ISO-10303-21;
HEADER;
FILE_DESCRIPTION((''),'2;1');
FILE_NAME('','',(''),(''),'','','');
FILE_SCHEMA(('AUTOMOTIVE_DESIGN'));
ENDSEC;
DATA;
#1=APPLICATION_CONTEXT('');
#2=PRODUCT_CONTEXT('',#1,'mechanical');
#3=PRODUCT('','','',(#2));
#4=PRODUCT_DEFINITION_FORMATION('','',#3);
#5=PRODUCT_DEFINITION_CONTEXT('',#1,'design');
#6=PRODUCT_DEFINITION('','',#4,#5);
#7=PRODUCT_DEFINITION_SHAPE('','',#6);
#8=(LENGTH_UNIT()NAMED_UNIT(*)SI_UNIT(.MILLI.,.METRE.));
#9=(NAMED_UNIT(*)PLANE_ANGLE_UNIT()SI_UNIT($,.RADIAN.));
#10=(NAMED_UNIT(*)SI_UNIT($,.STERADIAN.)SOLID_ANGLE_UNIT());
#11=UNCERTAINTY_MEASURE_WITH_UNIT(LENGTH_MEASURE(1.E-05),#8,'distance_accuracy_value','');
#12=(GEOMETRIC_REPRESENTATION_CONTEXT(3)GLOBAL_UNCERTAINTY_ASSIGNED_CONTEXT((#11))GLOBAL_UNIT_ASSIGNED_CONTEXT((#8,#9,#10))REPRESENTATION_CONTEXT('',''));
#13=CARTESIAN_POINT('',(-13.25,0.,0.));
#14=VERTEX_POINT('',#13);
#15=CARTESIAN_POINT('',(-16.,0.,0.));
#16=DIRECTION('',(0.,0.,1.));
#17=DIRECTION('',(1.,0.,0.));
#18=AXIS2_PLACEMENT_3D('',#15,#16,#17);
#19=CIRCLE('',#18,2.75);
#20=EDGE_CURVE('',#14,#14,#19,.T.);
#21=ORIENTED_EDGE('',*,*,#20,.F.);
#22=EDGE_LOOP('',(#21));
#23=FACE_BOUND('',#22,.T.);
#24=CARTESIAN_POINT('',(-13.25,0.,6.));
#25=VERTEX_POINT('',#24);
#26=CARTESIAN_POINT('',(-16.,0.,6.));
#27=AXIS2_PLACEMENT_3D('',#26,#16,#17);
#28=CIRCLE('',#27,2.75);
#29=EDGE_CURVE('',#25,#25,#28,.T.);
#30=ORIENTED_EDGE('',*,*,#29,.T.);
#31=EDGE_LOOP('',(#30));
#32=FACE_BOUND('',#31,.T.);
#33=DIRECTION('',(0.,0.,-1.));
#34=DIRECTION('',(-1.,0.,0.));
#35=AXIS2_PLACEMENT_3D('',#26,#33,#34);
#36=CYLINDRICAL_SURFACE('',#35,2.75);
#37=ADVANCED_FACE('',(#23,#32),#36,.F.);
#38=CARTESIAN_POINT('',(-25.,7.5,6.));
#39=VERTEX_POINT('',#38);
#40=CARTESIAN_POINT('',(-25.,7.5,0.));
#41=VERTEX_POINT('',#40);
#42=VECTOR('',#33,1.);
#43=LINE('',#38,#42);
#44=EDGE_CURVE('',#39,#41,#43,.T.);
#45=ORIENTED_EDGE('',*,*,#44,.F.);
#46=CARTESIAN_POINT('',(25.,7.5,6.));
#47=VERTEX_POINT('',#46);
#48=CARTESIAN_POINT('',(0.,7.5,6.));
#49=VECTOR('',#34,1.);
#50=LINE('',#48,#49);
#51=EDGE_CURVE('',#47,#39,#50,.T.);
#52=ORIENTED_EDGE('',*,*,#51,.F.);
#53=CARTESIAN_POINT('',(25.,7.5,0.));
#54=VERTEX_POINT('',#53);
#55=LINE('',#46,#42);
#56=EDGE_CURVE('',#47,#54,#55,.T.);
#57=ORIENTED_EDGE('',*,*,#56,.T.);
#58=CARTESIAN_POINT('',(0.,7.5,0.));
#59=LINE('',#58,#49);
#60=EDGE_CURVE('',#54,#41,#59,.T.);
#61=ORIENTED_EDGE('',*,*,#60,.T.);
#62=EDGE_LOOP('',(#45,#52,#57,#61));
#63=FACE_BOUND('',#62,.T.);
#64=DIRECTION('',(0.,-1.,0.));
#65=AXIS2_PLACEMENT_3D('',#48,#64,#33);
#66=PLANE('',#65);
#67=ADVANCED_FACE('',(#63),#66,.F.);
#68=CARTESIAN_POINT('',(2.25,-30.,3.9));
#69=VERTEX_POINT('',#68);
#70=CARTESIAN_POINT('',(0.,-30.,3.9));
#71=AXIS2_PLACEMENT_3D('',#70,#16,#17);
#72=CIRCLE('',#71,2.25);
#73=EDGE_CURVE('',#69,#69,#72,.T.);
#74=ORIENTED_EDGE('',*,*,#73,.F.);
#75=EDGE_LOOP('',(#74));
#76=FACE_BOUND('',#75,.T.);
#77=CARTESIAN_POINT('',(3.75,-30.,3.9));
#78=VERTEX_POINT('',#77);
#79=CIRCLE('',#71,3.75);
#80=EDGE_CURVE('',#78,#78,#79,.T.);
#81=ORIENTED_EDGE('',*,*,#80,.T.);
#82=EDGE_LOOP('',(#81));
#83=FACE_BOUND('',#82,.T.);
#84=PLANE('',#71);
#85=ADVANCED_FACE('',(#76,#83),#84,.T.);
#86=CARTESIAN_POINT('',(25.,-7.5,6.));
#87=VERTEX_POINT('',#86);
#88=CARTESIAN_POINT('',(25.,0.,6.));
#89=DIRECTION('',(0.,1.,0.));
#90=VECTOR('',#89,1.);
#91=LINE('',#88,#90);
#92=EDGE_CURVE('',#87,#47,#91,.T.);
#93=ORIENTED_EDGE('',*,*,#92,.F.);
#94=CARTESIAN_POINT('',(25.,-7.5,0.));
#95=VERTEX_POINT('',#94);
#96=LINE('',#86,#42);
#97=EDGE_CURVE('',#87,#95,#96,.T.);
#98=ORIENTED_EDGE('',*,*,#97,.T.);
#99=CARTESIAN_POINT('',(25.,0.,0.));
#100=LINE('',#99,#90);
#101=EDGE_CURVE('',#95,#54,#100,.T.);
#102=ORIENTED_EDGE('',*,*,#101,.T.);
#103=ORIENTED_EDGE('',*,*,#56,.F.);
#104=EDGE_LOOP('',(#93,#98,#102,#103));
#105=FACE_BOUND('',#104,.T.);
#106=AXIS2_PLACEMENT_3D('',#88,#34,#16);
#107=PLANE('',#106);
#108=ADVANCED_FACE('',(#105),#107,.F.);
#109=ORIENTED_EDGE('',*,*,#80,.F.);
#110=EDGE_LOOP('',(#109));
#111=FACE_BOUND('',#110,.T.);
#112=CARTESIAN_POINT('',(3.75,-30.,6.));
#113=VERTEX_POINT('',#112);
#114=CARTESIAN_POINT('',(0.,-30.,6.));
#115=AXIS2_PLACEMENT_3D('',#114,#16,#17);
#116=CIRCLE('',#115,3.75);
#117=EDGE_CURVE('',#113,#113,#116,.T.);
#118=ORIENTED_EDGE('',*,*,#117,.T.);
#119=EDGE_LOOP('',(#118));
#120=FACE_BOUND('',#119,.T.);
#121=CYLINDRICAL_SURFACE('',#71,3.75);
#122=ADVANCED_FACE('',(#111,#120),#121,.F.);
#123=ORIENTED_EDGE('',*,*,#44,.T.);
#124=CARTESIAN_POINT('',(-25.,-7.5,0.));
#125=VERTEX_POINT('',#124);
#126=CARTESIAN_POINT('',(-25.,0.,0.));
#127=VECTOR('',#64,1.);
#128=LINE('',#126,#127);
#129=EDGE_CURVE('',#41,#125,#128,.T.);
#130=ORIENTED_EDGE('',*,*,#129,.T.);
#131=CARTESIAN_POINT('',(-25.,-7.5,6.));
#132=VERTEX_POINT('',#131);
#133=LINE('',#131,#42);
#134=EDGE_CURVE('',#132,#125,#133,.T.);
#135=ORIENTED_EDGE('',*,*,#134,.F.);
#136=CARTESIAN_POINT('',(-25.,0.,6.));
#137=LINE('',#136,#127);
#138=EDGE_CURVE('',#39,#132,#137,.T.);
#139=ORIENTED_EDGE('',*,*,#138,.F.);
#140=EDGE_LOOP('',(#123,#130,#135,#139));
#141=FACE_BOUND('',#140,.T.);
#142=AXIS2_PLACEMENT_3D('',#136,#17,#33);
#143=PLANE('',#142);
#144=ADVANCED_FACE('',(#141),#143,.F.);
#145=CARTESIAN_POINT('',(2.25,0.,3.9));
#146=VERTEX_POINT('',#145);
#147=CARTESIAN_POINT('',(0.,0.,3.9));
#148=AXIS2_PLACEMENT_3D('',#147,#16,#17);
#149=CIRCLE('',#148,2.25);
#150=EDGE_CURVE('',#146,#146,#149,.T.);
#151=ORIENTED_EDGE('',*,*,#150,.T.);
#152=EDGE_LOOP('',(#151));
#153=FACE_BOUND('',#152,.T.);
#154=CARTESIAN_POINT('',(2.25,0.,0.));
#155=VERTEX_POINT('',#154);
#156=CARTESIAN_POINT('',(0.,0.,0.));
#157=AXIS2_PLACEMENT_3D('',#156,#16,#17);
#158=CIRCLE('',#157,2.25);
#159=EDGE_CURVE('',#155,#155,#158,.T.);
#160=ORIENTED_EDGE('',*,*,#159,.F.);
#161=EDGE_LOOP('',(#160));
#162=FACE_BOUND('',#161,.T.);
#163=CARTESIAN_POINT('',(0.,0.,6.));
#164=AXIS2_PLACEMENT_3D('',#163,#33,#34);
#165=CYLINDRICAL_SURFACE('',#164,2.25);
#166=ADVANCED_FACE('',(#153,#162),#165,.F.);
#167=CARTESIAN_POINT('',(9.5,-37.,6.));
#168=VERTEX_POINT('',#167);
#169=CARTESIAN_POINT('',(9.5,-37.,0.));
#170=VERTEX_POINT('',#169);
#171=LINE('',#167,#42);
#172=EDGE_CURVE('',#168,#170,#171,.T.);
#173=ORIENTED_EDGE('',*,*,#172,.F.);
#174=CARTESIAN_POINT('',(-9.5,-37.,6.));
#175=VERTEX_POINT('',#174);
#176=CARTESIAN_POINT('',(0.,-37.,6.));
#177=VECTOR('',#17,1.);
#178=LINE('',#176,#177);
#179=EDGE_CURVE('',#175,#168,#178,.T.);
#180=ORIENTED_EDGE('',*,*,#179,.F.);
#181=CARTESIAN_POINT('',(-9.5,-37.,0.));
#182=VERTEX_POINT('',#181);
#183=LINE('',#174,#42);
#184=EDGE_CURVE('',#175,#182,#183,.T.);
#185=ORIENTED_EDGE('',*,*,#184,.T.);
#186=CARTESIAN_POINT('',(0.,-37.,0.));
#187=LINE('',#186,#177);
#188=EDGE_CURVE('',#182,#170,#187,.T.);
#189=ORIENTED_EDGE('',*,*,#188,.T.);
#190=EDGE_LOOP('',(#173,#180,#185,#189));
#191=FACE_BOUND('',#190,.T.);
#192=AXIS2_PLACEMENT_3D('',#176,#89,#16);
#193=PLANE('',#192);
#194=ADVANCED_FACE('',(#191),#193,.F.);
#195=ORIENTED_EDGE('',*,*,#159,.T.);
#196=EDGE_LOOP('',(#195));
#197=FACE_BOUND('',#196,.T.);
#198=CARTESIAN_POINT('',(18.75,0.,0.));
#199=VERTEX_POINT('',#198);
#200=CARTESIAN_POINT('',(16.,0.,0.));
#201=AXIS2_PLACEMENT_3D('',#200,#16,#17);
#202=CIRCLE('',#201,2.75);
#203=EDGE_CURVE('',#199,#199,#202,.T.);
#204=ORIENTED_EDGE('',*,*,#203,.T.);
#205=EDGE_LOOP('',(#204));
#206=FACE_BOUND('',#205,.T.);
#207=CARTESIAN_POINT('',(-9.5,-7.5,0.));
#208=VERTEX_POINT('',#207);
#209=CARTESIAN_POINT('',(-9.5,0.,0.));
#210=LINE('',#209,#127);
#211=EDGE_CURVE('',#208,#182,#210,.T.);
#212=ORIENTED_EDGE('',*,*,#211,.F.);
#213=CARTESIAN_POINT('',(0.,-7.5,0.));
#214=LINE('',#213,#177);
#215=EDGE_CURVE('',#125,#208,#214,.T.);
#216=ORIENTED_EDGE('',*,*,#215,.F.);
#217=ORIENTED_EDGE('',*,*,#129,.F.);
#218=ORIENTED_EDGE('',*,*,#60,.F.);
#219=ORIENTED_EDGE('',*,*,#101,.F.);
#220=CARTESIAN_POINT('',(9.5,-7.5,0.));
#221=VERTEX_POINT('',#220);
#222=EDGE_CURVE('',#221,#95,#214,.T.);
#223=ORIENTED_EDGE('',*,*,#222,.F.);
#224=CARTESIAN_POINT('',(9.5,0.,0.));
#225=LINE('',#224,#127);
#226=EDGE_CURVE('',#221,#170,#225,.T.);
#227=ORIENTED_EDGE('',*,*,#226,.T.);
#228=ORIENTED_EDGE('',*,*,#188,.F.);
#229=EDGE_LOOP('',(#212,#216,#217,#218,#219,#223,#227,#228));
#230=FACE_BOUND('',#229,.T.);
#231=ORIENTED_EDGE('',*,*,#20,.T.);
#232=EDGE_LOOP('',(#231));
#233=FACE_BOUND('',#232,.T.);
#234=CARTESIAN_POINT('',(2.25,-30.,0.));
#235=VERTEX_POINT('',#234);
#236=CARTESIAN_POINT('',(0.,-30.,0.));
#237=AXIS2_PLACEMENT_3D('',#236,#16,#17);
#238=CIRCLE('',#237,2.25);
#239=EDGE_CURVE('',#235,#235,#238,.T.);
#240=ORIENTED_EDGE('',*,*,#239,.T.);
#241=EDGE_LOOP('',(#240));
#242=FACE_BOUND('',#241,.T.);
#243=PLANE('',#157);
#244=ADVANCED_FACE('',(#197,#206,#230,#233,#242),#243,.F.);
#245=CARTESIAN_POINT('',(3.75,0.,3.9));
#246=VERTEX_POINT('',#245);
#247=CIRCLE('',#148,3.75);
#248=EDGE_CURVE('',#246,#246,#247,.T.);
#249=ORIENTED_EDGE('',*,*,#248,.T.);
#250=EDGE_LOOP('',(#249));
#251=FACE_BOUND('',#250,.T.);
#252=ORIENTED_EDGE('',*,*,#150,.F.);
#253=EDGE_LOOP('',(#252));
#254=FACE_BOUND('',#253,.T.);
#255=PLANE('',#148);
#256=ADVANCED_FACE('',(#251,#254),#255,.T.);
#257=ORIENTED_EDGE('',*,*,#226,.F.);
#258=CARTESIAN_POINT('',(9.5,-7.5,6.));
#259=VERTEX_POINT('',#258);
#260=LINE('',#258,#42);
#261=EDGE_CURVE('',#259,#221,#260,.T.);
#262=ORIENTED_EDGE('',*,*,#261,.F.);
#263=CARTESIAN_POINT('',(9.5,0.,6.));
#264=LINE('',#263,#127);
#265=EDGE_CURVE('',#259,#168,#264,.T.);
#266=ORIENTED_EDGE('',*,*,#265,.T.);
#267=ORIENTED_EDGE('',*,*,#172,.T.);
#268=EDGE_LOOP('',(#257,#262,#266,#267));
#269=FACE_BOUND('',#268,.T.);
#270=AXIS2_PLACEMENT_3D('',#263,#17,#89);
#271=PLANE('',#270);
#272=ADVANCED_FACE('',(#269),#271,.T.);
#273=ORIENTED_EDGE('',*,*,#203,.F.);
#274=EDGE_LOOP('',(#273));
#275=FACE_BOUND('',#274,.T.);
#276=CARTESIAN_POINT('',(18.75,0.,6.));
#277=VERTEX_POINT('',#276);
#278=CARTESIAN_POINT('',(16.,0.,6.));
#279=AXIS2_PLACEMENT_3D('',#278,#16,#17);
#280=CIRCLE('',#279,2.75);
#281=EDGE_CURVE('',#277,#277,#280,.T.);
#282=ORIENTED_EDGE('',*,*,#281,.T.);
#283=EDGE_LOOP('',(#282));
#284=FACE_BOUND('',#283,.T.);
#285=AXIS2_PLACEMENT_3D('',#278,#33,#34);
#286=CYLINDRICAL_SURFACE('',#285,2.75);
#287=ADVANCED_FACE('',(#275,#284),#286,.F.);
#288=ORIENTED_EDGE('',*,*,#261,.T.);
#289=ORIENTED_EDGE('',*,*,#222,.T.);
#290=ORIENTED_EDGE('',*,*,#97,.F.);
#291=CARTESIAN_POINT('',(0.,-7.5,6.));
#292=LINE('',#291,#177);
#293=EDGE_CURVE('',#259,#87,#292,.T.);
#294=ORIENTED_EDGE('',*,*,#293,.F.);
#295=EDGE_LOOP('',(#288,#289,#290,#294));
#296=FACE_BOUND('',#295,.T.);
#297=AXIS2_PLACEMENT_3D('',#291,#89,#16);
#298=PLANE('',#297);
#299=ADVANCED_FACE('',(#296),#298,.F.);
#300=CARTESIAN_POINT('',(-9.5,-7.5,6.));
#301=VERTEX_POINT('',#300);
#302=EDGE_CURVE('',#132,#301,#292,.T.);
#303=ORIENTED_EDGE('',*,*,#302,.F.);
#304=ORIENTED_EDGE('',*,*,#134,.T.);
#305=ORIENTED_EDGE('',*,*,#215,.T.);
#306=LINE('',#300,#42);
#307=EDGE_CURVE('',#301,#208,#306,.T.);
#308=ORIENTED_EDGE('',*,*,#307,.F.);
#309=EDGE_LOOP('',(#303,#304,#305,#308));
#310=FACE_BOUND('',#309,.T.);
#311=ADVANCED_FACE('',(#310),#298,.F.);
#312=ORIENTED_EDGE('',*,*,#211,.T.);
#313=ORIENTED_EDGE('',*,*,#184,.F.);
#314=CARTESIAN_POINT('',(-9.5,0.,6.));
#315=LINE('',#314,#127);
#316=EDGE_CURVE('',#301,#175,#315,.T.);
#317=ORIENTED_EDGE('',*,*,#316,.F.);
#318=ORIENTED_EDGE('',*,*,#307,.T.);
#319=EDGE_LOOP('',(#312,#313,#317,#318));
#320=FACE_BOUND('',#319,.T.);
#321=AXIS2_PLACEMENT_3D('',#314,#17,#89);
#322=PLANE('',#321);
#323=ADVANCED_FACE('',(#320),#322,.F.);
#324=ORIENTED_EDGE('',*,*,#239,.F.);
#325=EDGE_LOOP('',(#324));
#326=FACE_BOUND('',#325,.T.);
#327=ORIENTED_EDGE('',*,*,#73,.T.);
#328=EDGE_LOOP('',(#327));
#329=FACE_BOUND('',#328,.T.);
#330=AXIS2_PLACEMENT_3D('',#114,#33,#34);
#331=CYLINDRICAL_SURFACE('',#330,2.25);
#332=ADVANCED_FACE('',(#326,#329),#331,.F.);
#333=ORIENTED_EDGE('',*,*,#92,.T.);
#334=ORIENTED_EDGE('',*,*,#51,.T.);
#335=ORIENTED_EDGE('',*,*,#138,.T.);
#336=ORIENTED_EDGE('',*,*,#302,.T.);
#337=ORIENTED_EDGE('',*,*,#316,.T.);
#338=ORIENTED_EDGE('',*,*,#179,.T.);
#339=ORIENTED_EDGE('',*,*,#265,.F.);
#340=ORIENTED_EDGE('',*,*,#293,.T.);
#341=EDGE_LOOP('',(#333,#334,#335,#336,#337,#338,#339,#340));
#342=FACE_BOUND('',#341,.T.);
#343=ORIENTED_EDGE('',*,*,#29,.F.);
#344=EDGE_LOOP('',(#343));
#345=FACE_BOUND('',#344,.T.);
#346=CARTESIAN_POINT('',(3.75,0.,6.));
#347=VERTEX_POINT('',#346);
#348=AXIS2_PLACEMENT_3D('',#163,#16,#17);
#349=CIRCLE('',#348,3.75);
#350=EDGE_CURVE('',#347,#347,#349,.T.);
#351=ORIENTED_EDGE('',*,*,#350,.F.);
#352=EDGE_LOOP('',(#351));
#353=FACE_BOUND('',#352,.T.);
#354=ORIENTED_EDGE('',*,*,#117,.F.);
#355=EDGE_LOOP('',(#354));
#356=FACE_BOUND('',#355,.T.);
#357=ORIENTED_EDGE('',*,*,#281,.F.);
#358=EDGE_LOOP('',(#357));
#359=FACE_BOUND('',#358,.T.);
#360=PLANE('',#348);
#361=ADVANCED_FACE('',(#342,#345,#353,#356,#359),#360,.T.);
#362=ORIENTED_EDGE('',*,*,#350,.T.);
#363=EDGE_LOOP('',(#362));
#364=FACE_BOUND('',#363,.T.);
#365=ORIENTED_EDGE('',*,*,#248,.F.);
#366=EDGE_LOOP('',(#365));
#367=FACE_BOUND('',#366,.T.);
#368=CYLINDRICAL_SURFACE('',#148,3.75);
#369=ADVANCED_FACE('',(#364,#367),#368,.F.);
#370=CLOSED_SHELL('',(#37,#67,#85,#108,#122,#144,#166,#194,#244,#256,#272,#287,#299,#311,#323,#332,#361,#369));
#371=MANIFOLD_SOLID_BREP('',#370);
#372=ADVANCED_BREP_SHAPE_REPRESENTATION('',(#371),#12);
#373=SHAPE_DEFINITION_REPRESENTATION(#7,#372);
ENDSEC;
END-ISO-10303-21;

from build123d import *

# Parameters (mm, degrees)
SKETCH7_W           = 50
SKETCH7_H           = 15
SKETCH7_R           = 2.25
SKETCH7_R_2         = 2.75
SKETCH7_W_2         = 19
SKETCH7_H_2         = 29.5
BOSS_EXTRUDE3_DEPTH = 6
SKETCH8_R           = 3.75
CUT_EXTRUDE4_DEPTH  = 2.1


with BuildPart() as part:
    # Sketch7 → Boss-Extrude3 (new body)
    # profile 1 of 2: a face of its own
    with BuildSketch(Plane.XY):
        Rectangle(SKETCH7_W, SKETCH7_H)
        Circle(SKETCH7_R, mode=Mode.SUBTRACT)
        with Locations((-16, 0)):
            Circle(SKETCH7_R_2, mode=Mode.SUBTRACT)
        with Locations((16, 0)):
            Circle(SKETCH7_R_2, mode=Mode.SUBTRACT)
    # profile 2 of 2: a face of its own
    with BuildSketch(Plane.XY):
        with Locations((0, -22.25)):
            Rectangle(SKETCH7_W_2, SKETCH7_H_2)
        with Locations((0, -30)):
            Circle(SKETCH7_R, mode=Mode.SUBTRACT)
    extrude(amount=BOSS_EXTRUDE3_DEPTH)

    # Sketch8 → Cut-Extrude4 (cut)
    with BuildSketch(Plane.XY.offset(6)):
        Circle(SKETCH8_R)
        with Locations((0, -30)):
            Circle(SKETCH8_R)
    extrude(amount=-CUT_EXTRUDE4_DEPTH, mode=Mode.SUBTRACT)


solid = part.part
